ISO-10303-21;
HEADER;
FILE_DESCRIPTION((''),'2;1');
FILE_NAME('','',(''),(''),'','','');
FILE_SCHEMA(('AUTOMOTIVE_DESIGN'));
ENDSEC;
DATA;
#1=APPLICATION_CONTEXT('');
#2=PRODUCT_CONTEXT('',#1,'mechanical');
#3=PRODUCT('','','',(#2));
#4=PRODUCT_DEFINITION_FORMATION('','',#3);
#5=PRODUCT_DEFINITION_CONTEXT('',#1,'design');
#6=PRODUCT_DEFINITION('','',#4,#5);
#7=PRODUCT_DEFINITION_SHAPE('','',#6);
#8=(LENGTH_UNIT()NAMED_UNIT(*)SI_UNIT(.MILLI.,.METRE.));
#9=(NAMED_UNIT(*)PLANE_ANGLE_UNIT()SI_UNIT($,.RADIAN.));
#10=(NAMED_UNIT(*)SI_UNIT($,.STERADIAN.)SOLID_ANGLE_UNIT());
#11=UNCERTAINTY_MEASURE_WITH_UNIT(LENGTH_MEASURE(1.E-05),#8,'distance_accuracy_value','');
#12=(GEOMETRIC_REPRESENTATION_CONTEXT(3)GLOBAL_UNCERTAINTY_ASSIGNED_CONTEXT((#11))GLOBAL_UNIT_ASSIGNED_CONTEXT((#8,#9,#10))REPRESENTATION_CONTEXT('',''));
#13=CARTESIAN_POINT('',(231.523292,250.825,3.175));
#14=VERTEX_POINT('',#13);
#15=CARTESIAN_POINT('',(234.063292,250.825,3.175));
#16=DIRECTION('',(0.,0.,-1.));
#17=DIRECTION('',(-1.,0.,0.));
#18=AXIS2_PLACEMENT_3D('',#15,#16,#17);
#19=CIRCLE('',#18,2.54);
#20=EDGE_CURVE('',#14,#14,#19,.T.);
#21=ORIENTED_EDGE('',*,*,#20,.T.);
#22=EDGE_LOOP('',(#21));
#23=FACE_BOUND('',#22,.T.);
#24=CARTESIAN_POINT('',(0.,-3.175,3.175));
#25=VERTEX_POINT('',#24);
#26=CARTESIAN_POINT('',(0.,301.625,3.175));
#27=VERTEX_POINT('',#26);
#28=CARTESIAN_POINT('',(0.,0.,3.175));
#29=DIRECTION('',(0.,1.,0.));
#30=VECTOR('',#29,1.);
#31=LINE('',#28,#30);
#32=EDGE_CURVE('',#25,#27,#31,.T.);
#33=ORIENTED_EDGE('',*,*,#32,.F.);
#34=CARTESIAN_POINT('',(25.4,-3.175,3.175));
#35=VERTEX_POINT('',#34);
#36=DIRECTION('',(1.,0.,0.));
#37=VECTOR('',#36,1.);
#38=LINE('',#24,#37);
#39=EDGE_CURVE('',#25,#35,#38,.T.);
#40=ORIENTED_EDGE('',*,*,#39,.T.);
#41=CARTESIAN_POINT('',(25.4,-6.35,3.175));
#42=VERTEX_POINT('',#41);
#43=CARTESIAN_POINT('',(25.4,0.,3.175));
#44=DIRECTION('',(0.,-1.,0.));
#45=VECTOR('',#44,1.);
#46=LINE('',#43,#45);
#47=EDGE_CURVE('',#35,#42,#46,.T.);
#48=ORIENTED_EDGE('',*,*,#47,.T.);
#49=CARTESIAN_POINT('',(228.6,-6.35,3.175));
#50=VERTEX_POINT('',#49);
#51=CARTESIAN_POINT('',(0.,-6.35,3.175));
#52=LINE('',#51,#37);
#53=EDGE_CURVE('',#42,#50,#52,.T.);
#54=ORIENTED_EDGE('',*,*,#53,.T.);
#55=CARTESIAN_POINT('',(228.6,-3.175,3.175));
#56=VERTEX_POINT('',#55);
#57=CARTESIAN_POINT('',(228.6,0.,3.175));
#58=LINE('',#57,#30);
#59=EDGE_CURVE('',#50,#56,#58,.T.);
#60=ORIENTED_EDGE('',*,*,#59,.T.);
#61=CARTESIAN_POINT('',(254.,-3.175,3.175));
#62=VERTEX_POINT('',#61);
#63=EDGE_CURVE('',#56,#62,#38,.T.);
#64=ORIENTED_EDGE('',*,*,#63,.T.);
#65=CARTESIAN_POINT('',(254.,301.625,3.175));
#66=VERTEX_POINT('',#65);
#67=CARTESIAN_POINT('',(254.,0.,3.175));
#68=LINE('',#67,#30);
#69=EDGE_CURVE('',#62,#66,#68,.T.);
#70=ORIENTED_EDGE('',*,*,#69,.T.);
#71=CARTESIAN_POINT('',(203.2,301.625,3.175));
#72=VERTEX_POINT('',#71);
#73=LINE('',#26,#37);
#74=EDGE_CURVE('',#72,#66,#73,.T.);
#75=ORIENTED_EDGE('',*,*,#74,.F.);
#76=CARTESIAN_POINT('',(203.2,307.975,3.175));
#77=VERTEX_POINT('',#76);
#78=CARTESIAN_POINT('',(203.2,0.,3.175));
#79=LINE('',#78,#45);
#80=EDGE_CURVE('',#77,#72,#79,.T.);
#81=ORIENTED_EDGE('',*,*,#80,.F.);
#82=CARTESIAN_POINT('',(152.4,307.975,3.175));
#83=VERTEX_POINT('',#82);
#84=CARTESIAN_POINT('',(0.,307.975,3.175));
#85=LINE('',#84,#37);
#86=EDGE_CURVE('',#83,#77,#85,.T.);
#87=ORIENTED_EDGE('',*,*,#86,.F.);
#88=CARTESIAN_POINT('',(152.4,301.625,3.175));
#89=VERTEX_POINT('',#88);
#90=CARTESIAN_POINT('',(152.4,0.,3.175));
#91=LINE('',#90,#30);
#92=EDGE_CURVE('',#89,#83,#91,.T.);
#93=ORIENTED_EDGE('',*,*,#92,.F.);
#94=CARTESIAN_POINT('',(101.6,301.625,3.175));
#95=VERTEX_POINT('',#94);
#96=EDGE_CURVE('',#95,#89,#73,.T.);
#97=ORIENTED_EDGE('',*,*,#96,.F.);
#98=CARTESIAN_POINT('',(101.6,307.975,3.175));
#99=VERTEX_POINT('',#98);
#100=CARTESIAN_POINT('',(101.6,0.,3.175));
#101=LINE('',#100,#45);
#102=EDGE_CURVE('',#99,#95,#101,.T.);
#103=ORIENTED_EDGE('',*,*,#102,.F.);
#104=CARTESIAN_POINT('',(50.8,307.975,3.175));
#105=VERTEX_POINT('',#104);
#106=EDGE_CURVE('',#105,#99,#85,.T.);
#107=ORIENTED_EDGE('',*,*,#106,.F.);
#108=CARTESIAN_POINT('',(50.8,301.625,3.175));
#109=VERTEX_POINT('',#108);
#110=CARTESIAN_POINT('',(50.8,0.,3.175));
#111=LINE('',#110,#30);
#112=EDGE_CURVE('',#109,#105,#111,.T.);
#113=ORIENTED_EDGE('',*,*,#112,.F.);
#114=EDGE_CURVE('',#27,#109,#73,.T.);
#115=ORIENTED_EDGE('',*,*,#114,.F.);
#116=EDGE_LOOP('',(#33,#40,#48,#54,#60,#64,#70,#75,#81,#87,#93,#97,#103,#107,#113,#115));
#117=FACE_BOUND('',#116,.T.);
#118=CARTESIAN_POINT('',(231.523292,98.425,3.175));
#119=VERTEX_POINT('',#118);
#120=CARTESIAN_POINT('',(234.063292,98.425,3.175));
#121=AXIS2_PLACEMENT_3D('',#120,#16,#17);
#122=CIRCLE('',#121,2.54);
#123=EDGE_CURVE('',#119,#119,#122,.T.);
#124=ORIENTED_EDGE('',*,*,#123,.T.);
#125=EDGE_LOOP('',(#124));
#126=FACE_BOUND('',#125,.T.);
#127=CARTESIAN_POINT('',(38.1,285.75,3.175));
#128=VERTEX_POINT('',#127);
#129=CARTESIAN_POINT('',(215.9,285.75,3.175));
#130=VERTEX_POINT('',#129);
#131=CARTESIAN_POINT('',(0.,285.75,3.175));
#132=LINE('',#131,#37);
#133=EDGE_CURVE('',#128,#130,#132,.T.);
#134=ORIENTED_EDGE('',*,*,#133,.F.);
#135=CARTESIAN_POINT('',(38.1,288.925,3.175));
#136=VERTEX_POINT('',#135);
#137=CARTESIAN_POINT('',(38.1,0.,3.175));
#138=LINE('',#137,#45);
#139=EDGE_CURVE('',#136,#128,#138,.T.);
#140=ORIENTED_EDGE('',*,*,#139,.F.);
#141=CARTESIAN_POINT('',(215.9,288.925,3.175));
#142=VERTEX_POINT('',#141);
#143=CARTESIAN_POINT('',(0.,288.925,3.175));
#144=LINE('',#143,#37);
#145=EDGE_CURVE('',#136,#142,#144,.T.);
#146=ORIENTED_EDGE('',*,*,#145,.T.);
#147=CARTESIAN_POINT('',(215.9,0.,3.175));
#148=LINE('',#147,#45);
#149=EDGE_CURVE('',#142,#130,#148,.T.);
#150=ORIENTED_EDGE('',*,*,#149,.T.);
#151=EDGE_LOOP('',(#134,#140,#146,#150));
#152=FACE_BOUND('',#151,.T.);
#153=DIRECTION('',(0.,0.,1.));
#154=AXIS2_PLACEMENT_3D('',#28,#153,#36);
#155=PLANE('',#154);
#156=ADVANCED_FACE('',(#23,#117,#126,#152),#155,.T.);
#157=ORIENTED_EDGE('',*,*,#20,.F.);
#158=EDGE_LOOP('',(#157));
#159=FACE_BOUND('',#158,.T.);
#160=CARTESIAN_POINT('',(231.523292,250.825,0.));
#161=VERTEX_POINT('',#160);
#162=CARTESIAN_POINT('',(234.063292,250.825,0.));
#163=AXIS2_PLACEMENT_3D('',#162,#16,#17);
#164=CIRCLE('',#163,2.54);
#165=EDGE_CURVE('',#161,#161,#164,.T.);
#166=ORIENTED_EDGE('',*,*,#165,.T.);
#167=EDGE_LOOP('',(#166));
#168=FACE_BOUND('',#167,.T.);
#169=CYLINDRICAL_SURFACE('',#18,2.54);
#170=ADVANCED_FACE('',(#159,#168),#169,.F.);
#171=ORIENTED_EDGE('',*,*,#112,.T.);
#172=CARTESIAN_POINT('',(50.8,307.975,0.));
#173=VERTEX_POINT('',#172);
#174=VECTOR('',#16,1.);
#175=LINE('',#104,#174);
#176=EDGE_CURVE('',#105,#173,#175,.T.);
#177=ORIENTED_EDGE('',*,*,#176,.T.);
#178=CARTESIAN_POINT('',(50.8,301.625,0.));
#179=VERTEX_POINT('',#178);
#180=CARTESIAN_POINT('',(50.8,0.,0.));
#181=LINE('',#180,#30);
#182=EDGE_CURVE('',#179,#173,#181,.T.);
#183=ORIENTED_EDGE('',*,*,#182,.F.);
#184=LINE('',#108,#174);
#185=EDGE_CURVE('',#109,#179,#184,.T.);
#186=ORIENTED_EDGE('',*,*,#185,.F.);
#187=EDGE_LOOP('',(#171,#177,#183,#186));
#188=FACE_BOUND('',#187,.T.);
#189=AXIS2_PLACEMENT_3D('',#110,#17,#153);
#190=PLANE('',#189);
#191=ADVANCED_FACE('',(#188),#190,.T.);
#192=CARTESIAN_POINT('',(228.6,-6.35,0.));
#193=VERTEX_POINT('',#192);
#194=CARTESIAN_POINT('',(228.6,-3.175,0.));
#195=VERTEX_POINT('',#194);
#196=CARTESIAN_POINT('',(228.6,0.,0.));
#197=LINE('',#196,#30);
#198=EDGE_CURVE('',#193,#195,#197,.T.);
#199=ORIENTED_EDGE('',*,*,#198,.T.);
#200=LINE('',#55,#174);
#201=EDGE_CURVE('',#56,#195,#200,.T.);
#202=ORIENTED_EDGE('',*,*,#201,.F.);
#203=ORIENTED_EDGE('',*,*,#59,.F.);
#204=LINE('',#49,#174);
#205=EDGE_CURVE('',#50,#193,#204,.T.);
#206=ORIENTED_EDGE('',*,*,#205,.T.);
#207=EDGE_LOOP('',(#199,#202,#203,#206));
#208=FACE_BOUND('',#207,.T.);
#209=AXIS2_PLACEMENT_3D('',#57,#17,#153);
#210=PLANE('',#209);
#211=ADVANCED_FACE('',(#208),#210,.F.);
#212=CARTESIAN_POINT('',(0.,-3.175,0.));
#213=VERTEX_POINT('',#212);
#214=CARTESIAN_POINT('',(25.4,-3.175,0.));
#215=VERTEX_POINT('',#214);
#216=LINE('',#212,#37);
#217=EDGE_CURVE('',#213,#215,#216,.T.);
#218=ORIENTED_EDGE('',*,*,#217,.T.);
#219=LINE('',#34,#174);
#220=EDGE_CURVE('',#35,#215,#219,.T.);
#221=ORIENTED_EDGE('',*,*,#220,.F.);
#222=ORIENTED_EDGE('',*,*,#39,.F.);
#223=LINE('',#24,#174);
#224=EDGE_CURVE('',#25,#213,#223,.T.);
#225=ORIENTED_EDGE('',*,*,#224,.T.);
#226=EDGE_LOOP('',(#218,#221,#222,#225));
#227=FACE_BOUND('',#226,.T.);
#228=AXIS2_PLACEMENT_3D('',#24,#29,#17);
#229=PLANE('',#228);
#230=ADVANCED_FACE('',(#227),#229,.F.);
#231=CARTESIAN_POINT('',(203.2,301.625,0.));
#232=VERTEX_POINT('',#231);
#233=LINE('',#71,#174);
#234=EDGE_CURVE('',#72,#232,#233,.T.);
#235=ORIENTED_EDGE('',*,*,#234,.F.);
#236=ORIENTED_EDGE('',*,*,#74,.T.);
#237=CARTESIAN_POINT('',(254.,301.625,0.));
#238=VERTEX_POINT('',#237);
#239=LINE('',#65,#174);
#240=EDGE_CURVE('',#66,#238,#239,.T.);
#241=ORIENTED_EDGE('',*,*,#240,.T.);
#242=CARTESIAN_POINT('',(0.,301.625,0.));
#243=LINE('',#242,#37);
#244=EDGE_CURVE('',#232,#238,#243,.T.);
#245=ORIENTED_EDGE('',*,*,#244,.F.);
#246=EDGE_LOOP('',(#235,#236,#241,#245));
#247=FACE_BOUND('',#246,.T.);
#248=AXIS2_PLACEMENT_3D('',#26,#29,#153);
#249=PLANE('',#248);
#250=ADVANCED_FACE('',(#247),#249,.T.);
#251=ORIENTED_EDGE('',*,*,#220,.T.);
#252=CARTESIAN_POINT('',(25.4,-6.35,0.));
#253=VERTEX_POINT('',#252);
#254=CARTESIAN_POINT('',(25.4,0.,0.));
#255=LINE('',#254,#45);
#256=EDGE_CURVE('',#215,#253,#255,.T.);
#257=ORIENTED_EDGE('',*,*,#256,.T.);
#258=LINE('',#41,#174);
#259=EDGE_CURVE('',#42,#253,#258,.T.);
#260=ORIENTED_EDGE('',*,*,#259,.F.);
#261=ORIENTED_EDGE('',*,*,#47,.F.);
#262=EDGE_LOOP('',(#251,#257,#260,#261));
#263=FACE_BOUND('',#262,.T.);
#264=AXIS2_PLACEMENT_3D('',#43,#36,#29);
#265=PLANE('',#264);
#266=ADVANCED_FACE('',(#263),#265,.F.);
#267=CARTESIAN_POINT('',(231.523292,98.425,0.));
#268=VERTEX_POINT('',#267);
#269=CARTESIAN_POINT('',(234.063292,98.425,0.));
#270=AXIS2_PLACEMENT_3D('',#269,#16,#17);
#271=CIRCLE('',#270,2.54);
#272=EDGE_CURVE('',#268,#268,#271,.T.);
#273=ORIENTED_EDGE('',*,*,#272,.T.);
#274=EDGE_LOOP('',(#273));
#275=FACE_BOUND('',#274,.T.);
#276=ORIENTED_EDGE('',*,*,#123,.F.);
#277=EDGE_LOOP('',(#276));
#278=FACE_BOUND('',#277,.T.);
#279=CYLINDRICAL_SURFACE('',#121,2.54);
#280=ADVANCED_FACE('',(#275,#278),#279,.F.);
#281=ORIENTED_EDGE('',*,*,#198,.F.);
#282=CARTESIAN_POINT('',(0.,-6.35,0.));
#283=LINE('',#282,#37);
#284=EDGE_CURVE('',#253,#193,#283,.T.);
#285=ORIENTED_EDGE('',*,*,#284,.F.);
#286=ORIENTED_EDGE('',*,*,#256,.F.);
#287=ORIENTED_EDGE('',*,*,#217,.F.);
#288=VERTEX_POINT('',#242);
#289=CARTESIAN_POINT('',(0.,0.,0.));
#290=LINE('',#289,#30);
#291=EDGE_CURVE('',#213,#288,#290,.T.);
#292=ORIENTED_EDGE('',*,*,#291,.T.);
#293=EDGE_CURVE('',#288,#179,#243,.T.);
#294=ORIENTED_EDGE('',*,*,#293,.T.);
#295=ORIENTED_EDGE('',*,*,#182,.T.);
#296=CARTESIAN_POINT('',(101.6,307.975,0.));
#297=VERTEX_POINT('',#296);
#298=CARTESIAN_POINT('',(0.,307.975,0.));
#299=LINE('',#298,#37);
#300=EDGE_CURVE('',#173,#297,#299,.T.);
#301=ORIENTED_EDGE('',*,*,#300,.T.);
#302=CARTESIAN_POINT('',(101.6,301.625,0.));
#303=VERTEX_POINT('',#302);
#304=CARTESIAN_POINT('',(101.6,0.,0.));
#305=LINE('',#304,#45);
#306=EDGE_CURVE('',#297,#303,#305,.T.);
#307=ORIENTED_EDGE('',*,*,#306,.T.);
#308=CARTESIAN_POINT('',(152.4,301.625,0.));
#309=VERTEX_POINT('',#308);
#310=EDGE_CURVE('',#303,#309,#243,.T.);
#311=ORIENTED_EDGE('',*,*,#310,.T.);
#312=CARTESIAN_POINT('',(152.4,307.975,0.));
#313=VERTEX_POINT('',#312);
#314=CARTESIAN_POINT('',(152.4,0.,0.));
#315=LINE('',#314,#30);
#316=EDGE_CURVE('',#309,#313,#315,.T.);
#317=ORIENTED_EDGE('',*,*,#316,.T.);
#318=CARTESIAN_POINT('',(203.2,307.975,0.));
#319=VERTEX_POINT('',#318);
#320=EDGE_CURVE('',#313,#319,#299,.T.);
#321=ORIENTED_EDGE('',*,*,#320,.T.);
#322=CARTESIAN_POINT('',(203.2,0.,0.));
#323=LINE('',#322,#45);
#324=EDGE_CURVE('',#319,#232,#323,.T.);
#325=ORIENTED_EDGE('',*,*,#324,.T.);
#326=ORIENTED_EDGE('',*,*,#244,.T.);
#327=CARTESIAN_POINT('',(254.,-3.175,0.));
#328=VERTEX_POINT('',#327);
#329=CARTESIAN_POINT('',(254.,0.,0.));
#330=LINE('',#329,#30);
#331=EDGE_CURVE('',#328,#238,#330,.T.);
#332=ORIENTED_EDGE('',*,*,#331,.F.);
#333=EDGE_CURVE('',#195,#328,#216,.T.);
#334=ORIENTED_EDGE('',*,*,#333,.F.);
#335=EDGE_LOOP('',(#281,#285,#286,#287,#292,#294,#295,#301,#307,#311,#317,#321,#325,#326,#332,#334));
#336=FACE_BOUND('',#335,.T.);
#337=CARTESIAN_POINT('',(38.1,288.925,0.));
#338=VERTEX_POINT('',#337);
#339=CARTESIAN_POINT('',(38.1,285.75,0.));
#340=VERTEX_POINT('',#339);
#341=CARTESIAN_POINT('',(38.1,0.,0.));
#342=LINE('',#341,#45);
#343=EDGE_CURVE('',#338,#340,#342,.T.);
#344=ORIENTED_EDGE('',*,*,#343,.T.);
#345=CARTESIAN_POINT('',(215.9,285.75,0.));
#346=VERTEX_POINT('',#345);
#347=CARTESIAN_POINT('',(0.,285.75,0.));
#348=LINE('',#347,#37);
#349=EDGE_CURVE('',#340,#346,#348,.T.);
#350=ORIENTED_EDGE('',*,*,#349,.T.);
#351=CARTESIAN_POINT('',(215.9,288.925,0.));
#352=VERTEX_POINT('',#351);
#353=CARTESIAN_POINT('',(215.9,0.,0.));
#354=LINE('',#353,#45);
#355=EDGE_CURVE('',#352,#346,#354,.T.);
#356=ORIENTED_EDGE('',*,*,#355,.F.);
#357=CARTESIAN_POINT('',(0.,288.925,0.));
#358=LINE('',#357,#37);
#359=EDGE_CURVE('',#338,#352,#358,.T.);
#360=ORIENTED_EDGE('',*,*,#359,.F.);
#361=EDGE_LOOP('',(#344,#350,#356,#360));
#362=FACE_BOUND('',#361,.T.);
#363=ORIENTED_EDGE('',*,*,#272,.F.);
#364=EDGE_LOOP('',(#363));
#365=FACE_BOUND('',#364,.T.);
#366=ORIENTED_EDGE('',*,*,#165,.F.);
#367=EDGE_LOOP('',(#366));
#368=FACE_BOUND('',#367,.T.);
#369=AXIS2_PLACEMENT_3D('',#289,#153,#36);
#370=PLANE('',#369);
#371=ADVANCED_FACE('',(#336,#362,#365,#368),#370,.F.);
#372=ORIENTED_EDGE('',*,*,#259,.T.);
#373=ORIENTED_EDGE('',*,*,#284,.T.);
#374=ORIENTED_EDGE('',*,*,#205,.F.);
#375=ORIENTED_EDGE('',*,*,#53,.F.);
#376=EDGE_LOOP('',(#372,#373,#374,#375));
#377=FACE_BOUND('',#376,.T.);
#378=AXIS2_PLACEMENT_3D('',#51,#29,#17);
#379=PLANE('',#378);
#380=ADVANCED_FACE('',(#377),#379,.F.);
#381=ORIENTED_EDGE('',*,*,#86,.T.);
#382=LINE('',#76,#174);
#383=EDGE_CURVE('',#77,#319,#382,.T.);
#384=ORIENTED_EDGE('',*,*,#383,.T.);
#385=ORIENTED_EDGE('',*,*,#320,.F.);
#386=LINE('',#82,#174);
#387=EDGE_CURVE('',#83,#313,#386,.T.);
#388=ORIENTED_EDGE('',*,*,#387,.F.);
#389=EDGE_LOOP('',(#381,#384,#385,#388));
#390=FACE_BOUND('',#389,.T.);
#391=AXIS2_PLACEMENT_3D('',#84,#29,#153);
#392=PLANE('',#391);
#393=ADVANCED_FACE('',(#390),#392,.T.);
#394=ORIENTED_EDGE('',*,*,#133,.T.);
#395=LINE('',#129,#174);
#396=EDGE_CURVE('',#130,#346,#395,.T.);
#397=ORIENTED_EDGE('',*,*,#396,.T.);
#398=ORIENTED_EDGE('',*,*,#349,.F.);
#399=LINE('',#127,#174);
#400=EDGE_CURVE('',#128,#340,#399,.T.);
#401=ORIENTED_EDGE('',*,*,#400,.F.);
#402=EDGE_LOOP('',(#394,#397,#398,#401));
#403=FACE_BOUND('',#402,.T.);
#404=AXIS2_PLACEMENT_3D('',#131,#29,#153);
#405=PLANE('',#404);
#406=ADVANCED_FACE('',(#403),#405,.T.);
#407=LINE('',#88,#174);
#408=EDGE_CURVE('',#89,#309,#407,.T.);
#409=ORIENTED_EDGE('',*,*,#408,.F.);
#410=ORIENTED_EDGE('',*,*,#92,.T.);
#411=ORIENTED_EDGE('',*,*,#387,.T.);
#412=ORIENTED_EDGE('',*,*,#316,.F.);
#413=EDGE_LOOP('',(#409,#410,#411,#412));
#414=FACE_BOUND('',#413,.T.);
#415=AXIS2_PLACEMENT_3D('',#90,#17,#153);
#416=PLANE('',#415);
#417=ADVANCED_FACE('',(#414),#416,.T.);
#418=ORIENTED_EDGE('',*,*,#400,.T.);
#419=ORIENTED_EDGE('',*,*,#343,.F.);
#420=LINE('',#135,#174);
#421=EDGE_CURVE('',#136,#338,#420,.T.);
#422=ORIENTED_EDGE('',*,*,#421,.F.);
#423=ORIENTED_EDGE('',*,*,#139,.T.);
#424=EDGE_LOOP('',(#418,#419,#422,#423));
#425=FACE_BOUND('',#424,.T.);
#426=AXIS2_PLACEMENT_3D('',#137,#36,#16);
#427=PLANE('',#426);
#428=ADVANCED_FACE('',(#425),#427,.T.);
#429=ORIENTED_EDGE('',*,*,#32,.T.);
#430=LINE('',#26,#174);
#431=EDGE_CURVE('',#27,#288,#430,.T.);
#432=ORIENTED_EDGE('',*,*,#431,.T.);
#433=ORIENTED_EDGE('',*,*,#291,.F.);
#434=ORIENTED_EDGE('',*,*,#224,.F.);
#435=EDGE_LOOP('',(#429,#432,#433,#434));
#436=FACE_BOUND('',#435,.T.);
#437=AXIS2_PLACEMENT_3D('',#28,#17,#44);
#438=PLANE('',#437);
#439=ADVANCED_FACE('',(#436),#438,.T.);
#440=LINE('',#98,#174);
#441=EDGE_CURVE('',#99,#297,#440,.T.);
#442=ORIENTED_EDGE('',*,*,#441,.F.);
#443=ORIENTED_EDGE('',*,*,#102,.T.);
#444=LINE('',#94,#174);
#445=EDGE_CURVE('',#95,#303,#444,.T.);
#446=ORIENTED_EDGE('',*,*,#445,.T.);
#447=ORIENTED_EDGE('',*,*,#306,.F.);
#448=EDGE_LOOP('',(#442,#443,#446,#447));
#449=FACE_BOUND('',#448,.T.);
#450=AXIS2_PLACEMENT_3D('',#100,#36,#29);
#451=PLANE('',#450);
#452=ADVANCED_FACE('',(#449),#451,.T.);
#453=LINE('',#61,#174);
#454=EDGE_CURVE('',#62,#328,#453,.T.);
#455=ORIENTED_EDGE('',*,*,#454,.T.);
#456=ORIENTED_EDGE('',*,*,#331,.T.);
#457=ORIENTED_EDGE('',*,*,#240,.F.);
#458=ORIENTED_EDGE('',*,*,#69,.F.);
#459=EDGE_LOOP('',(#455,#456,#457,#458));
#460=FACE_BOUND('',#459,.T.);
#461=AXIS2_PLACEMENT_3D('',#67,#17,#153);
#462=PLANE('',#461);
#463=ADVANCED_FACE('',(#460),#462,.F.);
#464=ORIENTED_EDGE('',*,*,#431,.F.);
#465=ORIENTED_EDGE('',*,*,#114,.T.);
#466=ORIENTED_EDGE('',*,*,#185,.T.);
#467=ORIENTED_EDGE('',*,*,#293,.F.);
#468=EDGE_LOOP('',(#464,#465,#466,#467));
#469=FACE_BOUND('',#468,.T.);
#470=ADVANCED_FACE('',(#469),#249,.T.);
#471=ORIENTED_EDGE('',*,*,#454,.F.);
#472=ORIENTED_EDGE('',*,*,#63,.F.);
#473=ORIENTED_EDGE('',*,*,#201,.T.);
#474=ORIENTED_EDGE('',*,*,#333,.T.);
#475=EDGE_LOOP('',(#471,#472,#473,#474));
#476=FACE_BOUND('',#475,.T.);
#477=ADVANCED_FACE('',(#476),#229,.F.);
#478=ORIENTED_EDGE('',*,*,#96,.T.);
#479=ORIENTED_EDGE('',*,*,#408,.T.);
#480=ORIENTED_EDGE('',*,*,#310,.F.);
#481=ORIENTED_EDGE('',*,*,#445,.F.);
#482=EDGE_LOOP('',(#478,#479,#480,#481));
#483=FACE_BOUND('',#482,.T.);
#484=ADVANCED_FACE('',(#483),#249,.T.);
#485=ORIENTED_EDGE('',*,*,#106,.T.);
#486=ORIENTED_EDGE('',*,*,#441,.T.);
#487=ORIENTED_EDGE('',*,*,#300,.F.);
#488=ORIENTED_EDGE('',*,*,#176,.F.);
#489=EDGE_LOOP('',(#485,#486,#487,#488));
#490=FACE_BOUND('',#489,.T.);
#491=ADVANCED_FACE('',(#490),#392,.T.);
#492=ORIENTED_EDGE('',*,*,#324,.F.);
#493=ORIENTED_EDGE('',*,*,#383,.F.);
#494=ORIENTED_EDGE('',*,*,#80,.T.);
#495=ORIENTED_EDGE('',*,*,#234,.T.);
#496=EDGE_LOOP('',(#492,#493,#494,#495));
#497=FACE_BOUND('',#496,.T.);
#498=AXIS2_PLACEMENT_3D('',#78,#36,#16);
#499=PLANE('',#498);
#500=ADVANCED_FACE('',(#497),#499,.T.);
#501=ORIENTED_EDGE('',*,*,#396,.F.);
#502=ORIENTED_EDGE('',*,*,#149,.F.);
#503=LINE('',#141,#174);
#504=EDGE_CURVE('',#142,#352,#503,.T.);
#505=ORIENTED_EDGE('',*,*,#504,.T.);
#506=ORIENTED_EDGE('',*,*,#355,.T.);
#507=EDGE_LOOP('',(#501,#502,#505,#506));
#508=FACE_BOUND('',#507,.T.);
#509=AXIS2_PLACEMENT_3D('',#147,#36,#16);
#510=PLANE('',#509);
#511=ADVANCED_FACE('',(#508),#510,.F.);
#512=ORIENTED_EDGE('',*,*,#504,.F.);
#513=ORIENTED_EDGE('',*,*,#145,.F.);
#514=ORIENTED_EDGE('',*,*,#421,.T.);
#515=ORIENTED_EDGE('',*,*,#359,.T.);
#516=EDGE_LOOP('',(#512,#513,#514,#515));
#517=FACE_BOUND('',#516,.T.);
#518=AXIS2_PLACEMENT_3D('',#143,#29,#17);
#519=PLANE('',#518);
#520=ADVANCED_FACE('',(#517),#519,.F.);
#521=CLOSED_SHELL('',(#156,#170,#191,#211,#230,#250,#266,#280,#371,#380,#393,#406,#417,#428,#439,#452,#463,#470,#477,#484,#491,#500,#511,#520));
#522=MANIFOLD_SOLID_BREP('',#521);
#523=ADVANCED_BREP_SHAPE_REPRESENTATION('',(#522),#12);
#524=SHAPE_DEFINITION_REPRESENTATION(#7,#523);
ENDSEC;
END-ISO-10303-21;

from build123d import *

# Parameters (mm, degrees)
SKETCH1_W           = 177.8
SKETCH1_H           = 3.175
BOSS_EXTRUDE1_DEPTH = 3.175
SKETCH2_R           = 2.54
CUT_EXTRUDE1_DEPTH  = 4.175


with BuildPart() as part:
    # Sketch1 → Boss-Extrude1 (new body)
    with BuildSketch(Plane.XY):
        Polygon((228.6, -6.35), (228.6, -3.175), (254, -3.175), (254, 301.625), (203.2, 301.625), (203.2, 307.975), (152.4, 307.975), (152.4, 301.625), (101.6, 301.625), (101.6, 307.975), (50.8, 307.975), (50.8, 301.625), (0, 301.625), (0, -3.175), (25.4, -3.175), (25.4, -6.35), align=None)
        with Locations((127, 287.3375)):
            Rectangle(SKETCH1_W, SKETCH1_H, mode=Mode.SUBTRACT)
    extrude(amount=BOSS_EXTRUDE1_DEPTH)

    # Sketch2 → Cut-Extrude1 (cut, through all)
    with BuildSketch(Plane(origin=(0, 0, 0), x_dir=(-1, 0, 0), z_dir=(0, 0, -1))):
        with Locations((-234.063292103, 250.825)):
            Circle(SKETCH2_R)
        with Locations((-234.063292103, 98.425)):
            Circle(SKETCH2_R)
    extrude(amount=-CUT_EXTRUDE1_DEPTH, mode=Mode.SUBTRACT)


solid = part.part
